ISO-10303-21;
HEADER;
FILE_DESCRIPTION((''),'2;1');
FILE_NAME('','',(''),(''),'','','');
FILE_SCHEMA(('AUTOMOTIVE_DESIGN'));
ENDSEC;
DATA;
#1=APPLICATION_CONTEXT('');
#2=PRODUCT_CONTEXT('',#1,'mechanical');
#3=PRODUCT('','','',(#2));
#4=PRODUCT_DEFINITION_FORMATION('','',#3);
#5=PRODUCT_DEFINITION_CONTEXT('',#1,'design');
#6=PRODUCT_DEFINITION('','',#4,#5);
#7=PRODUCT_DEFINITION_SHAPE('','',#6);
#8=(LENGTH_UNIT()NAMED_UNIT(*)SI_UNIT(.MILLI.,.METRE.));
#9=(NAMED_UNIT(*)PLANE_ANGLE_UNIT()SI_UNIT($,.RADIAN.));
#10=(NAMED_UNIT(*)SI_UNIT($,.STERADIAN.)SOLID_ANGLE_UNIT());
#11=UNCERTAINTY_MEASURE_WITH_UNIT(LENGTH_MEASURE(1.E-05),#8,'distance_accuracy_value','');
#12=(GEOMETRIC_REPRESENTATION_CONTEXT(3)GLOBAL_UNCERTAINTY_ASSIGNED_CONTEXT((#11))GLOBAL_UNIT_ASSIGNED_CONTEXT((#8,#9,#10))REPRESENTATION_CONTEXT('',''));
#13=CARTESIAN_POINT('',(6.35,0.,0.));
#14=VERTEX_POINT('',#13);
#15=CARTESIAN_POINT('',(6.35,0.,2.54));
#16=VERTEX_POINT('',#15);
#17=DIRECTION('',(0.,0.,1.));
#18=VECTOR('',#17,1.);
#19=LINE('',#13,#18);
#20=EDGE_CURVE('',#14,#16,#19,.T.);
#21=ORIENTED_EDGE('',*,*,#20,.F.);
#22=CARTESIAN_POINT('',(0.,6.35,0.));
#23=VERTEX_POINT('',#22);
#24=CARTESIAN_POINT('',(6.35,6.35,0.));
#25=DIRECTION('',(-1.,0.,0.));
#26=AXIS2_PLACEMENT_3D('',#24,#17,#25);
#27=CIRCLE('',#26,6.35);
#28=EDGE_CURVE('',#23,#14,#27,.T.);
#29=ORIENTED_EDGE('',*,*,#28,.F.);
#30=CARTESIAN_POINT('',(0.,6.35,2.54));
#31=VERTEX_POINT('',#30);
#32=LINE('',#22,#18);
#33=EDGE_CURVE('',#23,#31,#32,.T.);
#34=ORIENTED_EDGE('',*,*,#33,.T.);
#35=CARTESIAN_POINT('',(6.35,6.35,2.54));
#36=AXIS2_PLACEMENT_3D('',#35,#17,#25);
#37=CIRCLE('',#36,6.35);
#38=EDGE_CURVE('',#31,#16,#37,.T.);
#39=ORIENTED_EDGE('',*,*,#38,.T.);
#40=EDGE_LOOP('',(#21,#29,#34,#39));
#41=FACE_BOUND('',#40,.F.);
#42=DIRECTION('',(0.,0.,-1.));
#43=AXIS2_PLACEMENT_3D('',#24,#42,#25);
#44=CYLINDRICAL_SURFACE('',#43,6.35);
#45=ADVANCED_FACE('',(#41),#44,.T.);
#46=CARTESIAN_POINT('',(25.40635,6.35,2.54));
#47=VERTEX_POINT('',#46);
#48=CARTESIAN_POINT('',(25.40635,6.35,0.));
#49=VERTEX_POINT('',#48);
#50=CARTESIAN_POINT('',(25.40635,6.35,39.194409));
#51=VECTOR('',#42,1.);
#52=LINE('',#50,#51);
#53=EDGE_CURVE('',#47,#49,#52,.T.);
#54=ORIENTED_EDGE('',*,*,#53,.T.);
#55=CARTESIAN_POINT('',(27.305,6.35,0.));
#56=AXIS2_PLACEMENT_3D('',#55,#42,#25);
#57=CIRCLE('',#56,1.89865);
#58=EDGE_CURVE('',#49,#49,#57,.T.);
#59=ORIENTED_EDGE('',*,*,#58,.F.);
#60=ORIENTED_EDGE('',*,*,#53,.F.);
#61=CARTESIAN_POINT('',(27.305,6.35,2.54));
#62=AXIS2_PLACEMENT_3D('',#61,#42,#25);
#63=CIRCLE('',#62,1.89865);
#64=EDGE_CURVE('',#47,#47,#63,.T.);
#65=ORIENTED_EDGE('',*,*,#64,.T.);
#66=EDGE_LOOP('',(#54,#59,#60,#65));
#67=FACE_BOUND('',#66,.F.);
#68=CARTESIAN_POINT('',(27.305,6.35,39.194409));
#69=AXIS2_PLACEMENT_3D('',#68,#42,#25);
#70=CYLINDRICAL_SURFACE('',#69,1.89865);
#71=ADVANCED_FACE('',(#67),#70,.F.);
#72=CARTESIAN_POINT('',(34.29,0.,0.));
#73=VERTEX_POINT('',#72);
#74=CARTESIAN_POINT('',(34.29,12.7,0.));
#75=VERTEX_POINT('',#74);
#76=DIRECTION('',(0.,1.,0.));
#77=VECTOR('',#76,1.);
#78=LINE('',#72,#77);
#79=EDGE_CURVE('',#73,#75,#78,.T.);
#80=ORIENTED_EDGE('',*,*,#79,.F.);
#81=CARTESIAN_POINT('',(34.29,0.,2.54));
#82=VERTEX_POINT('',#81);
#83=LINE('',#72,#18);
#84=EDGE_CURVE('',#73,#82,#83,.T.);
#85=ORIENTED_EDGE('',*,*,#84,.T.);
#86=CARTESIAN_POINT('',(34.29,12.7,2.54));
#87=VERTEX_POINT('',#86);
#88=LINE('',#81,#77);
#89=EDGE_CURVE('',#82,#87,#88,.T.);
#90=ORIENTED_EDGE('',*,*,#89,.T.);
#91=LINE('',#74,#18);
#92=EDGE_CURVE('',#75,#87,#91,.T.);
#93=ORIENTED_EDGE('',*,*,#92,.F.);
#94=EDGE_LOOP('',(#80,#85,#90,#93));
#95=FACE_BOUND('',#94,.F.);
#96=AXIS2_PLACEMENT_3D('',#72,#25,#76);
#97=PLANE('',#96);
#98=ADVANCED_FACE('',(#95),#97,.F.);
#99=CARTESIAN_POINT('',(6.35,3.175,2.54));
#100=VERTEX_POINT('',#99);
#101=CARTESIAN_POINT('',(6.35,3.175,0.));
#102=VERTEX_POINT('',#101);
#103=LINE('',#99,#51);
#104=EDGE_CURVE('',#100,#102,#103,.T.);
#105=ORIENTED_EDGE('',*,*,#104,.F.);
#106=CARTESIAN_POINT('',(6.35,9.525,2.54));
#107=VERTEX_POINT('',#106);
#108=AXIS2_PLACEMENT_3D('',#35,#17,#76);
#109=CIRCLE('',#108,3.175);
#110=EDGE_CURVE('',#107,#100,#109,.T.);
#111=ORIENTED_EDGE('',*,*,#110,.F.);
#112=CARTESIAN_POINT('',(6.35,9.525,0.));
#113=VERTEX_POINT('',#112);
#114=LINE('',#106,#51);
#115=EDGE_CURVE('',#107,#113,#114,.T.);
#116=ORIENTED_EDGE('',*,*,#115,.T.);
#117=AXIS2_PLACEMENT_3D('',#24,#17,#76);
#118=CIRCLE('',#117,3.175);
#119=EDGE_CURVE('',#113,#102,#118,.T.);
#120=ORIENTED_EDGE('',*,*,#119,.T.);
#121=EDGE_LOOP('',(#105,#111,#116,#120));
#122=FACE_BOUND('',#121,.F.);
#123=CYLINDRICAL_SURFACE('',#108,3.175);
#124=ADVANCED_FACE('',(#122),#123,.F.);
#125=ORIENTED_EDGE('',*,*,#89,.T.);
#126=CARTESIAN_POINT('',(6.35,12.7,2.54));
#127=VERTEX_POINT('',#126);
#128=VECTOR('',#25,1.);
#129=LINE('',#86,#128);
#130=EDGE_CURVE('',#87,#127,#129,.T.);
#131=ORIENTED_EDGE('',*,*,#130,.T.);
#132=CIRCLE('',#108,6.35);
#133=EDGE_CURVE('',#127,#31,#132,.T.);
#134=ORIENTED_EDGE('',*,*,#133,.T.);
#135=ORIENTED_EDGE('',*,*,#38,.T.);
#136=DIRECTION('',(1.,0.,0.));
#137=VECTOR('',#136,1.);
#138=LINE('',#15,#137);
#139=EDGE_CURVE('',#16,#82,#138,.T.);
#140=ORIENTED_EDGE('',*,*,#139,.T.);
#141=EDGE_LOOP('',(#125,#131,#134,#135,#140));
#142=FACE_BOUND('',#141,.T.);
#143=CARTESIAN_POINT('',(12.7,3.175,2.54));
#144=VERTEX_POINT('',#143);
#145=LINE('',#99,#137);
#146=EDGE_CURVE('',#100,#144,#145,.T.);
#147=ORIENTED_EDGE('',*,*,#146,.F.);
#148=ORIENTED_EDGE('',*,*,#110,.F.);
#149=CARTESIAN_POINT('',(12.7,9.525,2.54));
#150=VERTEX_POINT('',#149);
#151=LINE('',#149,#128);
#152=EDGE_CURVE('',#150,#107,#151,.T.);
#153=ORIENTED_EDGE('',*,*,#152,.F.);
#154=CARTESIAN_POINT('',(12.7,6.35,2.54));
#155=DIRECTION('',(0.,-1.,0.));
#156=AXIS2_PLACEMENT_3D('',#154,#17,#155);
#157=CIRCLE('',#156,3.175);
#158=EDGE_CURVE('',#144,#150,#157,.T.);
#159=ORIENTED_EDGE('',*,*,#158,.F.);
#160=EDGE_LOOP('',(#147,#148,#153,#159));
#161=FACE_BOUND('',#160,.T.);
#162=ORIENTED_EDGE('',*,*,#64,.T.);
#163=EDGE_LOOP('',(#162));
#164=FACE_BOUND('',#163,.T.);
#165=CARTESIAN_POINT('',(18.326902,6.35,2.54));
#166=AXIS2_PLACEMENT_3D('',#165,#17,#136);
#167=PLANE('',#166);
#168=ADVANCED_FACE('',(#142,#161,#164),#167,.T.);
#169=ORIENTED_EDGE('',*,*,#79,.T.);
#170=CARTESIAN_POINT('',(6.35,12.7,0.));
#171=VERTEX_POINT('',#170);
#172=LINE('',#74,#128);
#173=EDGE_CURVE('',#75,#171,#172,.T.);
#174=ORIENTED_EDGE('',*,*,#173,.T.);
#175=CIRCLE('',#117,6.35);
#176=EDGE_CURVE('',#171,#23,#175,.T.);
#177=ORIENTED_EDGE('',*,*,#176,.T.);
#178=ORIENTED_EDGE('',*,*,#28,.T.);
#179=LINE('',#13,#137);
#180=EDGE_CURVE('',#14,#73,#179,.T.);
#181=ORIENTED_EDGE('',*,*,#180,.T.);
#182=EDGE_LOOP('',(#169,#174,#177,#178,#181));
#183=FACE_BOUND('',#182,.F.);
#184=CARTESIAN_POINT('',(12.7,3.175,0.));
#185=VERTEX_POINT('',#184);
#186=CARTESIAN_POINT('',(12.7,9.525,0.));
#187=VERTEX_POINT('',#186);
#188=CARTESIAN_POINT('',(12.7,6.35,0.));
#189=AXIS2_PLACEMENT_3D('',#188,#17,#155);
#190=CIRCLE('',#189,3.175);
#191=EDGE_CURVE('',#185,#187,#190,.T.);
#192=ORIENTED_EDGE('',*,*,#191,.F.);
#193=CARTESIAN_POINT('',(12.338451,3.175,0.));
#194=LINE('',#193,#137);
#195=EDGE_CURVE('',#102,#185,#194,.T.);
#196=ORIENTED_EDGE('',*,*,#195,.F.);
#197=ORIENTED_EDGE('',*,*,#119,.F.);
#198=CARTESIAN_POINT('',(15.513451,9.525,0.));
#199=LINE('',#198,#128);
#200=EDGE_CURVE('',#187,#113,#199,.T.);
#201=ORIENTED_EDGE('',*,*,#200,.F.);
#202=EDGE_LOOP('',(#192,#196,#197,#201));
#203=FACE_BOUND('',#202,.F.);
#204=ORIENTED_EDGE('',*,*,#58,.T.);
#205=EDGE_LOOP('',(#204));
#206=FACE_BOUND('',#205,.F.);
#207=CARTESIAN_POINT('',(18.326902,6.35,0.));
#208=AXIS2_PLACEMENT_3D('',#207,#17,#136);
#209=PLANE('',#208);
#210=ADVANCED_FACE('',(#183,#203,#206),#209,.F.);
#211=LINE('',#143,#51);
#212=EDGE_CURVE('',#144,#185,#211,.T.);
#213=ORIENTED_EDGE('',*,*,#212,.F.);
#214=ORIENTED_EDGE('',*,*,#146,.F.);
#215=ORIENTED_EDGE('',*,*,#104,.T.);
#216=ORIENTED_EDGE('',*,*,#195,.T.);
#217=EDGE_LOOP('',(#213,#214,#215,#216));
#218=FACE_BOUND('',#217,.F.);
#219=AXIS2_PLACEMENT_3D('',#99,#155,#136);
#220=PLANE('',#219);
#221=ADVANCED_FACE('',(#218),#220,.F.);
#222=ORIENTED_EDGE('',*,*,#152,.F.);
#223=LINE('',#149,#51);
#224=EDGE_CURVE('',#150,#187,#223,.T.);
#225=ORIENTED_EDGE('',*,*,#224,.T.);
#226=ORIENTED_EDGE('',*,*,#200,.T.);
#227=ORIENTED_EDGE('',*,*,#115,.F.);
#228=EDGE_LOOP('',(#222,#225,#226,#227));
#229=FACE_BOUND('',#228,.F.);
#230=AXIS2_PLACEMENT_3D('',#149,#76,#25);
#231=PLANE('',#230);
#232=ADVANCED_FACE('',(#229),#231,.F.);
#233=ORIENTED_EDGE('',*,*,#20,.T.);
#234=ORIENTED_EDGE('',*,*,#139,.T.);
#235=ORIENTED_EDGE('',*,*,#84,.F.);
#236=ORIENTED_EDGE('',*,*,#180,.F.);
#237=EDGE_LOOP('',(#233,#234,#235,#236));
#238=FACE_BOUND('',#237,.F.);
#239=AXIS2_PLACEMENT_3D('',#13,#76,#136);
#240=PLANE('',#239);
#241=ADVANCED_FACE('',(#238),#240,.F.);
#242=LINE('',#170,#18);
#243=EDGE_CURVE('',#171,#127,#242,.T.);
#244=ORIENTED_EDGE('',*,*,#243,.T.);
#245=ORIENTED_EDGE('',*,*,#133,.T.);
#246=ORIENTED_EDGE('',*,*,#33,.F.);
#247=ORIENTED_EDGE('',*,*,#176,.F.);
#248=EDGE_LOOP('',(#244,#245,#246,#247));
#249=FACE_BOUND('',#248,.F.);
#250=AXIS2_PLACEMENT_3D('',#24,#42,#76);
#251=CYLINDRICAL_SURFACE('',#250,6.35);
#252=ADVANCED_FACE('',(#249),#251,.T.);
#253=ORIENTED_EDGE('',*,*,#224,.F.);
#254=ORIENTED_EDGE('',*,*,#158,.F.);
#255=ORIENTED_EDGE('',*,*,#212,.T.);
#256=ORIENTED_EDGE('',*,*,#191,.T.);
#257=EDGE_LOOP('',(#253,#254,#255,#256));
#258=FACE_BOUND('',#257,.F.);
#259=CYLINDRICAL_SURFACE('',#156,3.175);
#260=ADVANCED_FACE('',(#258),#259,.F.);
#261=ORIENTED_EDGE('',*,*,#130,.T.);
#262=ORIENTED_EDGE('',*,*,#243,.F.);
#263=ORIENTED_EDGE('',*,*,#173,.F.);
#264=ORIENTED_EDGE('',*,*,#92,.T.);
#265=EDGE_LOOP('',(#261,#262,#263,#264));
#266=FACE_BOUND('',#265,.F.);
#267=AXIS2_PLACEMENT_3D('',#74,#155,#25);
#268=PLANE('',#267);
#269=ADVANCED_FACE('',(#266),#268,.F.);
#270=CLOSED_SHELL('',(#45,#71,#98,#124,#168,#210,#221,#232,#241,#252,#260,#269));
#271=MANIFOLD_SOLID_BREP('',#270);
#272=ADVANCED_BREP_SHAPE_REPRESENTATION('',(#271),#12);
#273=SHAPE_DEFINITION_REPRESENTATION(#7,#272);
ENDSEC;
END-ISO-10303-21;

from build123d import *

# Parameters (mm, degrees)
F1_DEPTH = 2.54
F3_DEPTH = 2.541
F5_D     = 3.7973


with BuildPart() as f1:
    # F0 (on Top) → F1 (new body)
    with BuildSketch(Plane.XY):
        with BuildLine():
            ThreePointArc((0, 6.35), (1.8598719395, 1.8598719395), (6.35, 0))
            Line((6.35, 0), (34.29, 0))
            Line((34.29, 0), (34.29, 12.7))
            Line((34.29, 12.7), (6.35, 12.7))
            ThreePointArc((6.35, 12.7), (1.8598719395, 10.8401280605), (0, 6.35))
        make_face()
    extrude(amount=F1_DEPTH)

    # F2 (on face) → F3 (cut, through all)
    with BuildSketch(Plane.XY.offset(2.54)):
        with BuildLine():
            Line((12.7, 9.525), (6.35, 9.525))
            ThreePointArc((6.35, 9.525), (3.175, 6.35), (6.35, 3.175))
            Line((6.35, 3.175), (12.7, 3.175))
            ThreePointArc((12.7, 3.175), (15.875, 6.35), (12.7, 9.525))
        make_face()
    extrude(amount=-F3_DEPTH, mode=Mode.SUBTRACT)

    # F5 (through all)
    with Locations(Plane.XY.offset(2.54)):
        with Locations((27.305, 6.35)):
            Hole(F5_D / 2)


solid = f1.part
